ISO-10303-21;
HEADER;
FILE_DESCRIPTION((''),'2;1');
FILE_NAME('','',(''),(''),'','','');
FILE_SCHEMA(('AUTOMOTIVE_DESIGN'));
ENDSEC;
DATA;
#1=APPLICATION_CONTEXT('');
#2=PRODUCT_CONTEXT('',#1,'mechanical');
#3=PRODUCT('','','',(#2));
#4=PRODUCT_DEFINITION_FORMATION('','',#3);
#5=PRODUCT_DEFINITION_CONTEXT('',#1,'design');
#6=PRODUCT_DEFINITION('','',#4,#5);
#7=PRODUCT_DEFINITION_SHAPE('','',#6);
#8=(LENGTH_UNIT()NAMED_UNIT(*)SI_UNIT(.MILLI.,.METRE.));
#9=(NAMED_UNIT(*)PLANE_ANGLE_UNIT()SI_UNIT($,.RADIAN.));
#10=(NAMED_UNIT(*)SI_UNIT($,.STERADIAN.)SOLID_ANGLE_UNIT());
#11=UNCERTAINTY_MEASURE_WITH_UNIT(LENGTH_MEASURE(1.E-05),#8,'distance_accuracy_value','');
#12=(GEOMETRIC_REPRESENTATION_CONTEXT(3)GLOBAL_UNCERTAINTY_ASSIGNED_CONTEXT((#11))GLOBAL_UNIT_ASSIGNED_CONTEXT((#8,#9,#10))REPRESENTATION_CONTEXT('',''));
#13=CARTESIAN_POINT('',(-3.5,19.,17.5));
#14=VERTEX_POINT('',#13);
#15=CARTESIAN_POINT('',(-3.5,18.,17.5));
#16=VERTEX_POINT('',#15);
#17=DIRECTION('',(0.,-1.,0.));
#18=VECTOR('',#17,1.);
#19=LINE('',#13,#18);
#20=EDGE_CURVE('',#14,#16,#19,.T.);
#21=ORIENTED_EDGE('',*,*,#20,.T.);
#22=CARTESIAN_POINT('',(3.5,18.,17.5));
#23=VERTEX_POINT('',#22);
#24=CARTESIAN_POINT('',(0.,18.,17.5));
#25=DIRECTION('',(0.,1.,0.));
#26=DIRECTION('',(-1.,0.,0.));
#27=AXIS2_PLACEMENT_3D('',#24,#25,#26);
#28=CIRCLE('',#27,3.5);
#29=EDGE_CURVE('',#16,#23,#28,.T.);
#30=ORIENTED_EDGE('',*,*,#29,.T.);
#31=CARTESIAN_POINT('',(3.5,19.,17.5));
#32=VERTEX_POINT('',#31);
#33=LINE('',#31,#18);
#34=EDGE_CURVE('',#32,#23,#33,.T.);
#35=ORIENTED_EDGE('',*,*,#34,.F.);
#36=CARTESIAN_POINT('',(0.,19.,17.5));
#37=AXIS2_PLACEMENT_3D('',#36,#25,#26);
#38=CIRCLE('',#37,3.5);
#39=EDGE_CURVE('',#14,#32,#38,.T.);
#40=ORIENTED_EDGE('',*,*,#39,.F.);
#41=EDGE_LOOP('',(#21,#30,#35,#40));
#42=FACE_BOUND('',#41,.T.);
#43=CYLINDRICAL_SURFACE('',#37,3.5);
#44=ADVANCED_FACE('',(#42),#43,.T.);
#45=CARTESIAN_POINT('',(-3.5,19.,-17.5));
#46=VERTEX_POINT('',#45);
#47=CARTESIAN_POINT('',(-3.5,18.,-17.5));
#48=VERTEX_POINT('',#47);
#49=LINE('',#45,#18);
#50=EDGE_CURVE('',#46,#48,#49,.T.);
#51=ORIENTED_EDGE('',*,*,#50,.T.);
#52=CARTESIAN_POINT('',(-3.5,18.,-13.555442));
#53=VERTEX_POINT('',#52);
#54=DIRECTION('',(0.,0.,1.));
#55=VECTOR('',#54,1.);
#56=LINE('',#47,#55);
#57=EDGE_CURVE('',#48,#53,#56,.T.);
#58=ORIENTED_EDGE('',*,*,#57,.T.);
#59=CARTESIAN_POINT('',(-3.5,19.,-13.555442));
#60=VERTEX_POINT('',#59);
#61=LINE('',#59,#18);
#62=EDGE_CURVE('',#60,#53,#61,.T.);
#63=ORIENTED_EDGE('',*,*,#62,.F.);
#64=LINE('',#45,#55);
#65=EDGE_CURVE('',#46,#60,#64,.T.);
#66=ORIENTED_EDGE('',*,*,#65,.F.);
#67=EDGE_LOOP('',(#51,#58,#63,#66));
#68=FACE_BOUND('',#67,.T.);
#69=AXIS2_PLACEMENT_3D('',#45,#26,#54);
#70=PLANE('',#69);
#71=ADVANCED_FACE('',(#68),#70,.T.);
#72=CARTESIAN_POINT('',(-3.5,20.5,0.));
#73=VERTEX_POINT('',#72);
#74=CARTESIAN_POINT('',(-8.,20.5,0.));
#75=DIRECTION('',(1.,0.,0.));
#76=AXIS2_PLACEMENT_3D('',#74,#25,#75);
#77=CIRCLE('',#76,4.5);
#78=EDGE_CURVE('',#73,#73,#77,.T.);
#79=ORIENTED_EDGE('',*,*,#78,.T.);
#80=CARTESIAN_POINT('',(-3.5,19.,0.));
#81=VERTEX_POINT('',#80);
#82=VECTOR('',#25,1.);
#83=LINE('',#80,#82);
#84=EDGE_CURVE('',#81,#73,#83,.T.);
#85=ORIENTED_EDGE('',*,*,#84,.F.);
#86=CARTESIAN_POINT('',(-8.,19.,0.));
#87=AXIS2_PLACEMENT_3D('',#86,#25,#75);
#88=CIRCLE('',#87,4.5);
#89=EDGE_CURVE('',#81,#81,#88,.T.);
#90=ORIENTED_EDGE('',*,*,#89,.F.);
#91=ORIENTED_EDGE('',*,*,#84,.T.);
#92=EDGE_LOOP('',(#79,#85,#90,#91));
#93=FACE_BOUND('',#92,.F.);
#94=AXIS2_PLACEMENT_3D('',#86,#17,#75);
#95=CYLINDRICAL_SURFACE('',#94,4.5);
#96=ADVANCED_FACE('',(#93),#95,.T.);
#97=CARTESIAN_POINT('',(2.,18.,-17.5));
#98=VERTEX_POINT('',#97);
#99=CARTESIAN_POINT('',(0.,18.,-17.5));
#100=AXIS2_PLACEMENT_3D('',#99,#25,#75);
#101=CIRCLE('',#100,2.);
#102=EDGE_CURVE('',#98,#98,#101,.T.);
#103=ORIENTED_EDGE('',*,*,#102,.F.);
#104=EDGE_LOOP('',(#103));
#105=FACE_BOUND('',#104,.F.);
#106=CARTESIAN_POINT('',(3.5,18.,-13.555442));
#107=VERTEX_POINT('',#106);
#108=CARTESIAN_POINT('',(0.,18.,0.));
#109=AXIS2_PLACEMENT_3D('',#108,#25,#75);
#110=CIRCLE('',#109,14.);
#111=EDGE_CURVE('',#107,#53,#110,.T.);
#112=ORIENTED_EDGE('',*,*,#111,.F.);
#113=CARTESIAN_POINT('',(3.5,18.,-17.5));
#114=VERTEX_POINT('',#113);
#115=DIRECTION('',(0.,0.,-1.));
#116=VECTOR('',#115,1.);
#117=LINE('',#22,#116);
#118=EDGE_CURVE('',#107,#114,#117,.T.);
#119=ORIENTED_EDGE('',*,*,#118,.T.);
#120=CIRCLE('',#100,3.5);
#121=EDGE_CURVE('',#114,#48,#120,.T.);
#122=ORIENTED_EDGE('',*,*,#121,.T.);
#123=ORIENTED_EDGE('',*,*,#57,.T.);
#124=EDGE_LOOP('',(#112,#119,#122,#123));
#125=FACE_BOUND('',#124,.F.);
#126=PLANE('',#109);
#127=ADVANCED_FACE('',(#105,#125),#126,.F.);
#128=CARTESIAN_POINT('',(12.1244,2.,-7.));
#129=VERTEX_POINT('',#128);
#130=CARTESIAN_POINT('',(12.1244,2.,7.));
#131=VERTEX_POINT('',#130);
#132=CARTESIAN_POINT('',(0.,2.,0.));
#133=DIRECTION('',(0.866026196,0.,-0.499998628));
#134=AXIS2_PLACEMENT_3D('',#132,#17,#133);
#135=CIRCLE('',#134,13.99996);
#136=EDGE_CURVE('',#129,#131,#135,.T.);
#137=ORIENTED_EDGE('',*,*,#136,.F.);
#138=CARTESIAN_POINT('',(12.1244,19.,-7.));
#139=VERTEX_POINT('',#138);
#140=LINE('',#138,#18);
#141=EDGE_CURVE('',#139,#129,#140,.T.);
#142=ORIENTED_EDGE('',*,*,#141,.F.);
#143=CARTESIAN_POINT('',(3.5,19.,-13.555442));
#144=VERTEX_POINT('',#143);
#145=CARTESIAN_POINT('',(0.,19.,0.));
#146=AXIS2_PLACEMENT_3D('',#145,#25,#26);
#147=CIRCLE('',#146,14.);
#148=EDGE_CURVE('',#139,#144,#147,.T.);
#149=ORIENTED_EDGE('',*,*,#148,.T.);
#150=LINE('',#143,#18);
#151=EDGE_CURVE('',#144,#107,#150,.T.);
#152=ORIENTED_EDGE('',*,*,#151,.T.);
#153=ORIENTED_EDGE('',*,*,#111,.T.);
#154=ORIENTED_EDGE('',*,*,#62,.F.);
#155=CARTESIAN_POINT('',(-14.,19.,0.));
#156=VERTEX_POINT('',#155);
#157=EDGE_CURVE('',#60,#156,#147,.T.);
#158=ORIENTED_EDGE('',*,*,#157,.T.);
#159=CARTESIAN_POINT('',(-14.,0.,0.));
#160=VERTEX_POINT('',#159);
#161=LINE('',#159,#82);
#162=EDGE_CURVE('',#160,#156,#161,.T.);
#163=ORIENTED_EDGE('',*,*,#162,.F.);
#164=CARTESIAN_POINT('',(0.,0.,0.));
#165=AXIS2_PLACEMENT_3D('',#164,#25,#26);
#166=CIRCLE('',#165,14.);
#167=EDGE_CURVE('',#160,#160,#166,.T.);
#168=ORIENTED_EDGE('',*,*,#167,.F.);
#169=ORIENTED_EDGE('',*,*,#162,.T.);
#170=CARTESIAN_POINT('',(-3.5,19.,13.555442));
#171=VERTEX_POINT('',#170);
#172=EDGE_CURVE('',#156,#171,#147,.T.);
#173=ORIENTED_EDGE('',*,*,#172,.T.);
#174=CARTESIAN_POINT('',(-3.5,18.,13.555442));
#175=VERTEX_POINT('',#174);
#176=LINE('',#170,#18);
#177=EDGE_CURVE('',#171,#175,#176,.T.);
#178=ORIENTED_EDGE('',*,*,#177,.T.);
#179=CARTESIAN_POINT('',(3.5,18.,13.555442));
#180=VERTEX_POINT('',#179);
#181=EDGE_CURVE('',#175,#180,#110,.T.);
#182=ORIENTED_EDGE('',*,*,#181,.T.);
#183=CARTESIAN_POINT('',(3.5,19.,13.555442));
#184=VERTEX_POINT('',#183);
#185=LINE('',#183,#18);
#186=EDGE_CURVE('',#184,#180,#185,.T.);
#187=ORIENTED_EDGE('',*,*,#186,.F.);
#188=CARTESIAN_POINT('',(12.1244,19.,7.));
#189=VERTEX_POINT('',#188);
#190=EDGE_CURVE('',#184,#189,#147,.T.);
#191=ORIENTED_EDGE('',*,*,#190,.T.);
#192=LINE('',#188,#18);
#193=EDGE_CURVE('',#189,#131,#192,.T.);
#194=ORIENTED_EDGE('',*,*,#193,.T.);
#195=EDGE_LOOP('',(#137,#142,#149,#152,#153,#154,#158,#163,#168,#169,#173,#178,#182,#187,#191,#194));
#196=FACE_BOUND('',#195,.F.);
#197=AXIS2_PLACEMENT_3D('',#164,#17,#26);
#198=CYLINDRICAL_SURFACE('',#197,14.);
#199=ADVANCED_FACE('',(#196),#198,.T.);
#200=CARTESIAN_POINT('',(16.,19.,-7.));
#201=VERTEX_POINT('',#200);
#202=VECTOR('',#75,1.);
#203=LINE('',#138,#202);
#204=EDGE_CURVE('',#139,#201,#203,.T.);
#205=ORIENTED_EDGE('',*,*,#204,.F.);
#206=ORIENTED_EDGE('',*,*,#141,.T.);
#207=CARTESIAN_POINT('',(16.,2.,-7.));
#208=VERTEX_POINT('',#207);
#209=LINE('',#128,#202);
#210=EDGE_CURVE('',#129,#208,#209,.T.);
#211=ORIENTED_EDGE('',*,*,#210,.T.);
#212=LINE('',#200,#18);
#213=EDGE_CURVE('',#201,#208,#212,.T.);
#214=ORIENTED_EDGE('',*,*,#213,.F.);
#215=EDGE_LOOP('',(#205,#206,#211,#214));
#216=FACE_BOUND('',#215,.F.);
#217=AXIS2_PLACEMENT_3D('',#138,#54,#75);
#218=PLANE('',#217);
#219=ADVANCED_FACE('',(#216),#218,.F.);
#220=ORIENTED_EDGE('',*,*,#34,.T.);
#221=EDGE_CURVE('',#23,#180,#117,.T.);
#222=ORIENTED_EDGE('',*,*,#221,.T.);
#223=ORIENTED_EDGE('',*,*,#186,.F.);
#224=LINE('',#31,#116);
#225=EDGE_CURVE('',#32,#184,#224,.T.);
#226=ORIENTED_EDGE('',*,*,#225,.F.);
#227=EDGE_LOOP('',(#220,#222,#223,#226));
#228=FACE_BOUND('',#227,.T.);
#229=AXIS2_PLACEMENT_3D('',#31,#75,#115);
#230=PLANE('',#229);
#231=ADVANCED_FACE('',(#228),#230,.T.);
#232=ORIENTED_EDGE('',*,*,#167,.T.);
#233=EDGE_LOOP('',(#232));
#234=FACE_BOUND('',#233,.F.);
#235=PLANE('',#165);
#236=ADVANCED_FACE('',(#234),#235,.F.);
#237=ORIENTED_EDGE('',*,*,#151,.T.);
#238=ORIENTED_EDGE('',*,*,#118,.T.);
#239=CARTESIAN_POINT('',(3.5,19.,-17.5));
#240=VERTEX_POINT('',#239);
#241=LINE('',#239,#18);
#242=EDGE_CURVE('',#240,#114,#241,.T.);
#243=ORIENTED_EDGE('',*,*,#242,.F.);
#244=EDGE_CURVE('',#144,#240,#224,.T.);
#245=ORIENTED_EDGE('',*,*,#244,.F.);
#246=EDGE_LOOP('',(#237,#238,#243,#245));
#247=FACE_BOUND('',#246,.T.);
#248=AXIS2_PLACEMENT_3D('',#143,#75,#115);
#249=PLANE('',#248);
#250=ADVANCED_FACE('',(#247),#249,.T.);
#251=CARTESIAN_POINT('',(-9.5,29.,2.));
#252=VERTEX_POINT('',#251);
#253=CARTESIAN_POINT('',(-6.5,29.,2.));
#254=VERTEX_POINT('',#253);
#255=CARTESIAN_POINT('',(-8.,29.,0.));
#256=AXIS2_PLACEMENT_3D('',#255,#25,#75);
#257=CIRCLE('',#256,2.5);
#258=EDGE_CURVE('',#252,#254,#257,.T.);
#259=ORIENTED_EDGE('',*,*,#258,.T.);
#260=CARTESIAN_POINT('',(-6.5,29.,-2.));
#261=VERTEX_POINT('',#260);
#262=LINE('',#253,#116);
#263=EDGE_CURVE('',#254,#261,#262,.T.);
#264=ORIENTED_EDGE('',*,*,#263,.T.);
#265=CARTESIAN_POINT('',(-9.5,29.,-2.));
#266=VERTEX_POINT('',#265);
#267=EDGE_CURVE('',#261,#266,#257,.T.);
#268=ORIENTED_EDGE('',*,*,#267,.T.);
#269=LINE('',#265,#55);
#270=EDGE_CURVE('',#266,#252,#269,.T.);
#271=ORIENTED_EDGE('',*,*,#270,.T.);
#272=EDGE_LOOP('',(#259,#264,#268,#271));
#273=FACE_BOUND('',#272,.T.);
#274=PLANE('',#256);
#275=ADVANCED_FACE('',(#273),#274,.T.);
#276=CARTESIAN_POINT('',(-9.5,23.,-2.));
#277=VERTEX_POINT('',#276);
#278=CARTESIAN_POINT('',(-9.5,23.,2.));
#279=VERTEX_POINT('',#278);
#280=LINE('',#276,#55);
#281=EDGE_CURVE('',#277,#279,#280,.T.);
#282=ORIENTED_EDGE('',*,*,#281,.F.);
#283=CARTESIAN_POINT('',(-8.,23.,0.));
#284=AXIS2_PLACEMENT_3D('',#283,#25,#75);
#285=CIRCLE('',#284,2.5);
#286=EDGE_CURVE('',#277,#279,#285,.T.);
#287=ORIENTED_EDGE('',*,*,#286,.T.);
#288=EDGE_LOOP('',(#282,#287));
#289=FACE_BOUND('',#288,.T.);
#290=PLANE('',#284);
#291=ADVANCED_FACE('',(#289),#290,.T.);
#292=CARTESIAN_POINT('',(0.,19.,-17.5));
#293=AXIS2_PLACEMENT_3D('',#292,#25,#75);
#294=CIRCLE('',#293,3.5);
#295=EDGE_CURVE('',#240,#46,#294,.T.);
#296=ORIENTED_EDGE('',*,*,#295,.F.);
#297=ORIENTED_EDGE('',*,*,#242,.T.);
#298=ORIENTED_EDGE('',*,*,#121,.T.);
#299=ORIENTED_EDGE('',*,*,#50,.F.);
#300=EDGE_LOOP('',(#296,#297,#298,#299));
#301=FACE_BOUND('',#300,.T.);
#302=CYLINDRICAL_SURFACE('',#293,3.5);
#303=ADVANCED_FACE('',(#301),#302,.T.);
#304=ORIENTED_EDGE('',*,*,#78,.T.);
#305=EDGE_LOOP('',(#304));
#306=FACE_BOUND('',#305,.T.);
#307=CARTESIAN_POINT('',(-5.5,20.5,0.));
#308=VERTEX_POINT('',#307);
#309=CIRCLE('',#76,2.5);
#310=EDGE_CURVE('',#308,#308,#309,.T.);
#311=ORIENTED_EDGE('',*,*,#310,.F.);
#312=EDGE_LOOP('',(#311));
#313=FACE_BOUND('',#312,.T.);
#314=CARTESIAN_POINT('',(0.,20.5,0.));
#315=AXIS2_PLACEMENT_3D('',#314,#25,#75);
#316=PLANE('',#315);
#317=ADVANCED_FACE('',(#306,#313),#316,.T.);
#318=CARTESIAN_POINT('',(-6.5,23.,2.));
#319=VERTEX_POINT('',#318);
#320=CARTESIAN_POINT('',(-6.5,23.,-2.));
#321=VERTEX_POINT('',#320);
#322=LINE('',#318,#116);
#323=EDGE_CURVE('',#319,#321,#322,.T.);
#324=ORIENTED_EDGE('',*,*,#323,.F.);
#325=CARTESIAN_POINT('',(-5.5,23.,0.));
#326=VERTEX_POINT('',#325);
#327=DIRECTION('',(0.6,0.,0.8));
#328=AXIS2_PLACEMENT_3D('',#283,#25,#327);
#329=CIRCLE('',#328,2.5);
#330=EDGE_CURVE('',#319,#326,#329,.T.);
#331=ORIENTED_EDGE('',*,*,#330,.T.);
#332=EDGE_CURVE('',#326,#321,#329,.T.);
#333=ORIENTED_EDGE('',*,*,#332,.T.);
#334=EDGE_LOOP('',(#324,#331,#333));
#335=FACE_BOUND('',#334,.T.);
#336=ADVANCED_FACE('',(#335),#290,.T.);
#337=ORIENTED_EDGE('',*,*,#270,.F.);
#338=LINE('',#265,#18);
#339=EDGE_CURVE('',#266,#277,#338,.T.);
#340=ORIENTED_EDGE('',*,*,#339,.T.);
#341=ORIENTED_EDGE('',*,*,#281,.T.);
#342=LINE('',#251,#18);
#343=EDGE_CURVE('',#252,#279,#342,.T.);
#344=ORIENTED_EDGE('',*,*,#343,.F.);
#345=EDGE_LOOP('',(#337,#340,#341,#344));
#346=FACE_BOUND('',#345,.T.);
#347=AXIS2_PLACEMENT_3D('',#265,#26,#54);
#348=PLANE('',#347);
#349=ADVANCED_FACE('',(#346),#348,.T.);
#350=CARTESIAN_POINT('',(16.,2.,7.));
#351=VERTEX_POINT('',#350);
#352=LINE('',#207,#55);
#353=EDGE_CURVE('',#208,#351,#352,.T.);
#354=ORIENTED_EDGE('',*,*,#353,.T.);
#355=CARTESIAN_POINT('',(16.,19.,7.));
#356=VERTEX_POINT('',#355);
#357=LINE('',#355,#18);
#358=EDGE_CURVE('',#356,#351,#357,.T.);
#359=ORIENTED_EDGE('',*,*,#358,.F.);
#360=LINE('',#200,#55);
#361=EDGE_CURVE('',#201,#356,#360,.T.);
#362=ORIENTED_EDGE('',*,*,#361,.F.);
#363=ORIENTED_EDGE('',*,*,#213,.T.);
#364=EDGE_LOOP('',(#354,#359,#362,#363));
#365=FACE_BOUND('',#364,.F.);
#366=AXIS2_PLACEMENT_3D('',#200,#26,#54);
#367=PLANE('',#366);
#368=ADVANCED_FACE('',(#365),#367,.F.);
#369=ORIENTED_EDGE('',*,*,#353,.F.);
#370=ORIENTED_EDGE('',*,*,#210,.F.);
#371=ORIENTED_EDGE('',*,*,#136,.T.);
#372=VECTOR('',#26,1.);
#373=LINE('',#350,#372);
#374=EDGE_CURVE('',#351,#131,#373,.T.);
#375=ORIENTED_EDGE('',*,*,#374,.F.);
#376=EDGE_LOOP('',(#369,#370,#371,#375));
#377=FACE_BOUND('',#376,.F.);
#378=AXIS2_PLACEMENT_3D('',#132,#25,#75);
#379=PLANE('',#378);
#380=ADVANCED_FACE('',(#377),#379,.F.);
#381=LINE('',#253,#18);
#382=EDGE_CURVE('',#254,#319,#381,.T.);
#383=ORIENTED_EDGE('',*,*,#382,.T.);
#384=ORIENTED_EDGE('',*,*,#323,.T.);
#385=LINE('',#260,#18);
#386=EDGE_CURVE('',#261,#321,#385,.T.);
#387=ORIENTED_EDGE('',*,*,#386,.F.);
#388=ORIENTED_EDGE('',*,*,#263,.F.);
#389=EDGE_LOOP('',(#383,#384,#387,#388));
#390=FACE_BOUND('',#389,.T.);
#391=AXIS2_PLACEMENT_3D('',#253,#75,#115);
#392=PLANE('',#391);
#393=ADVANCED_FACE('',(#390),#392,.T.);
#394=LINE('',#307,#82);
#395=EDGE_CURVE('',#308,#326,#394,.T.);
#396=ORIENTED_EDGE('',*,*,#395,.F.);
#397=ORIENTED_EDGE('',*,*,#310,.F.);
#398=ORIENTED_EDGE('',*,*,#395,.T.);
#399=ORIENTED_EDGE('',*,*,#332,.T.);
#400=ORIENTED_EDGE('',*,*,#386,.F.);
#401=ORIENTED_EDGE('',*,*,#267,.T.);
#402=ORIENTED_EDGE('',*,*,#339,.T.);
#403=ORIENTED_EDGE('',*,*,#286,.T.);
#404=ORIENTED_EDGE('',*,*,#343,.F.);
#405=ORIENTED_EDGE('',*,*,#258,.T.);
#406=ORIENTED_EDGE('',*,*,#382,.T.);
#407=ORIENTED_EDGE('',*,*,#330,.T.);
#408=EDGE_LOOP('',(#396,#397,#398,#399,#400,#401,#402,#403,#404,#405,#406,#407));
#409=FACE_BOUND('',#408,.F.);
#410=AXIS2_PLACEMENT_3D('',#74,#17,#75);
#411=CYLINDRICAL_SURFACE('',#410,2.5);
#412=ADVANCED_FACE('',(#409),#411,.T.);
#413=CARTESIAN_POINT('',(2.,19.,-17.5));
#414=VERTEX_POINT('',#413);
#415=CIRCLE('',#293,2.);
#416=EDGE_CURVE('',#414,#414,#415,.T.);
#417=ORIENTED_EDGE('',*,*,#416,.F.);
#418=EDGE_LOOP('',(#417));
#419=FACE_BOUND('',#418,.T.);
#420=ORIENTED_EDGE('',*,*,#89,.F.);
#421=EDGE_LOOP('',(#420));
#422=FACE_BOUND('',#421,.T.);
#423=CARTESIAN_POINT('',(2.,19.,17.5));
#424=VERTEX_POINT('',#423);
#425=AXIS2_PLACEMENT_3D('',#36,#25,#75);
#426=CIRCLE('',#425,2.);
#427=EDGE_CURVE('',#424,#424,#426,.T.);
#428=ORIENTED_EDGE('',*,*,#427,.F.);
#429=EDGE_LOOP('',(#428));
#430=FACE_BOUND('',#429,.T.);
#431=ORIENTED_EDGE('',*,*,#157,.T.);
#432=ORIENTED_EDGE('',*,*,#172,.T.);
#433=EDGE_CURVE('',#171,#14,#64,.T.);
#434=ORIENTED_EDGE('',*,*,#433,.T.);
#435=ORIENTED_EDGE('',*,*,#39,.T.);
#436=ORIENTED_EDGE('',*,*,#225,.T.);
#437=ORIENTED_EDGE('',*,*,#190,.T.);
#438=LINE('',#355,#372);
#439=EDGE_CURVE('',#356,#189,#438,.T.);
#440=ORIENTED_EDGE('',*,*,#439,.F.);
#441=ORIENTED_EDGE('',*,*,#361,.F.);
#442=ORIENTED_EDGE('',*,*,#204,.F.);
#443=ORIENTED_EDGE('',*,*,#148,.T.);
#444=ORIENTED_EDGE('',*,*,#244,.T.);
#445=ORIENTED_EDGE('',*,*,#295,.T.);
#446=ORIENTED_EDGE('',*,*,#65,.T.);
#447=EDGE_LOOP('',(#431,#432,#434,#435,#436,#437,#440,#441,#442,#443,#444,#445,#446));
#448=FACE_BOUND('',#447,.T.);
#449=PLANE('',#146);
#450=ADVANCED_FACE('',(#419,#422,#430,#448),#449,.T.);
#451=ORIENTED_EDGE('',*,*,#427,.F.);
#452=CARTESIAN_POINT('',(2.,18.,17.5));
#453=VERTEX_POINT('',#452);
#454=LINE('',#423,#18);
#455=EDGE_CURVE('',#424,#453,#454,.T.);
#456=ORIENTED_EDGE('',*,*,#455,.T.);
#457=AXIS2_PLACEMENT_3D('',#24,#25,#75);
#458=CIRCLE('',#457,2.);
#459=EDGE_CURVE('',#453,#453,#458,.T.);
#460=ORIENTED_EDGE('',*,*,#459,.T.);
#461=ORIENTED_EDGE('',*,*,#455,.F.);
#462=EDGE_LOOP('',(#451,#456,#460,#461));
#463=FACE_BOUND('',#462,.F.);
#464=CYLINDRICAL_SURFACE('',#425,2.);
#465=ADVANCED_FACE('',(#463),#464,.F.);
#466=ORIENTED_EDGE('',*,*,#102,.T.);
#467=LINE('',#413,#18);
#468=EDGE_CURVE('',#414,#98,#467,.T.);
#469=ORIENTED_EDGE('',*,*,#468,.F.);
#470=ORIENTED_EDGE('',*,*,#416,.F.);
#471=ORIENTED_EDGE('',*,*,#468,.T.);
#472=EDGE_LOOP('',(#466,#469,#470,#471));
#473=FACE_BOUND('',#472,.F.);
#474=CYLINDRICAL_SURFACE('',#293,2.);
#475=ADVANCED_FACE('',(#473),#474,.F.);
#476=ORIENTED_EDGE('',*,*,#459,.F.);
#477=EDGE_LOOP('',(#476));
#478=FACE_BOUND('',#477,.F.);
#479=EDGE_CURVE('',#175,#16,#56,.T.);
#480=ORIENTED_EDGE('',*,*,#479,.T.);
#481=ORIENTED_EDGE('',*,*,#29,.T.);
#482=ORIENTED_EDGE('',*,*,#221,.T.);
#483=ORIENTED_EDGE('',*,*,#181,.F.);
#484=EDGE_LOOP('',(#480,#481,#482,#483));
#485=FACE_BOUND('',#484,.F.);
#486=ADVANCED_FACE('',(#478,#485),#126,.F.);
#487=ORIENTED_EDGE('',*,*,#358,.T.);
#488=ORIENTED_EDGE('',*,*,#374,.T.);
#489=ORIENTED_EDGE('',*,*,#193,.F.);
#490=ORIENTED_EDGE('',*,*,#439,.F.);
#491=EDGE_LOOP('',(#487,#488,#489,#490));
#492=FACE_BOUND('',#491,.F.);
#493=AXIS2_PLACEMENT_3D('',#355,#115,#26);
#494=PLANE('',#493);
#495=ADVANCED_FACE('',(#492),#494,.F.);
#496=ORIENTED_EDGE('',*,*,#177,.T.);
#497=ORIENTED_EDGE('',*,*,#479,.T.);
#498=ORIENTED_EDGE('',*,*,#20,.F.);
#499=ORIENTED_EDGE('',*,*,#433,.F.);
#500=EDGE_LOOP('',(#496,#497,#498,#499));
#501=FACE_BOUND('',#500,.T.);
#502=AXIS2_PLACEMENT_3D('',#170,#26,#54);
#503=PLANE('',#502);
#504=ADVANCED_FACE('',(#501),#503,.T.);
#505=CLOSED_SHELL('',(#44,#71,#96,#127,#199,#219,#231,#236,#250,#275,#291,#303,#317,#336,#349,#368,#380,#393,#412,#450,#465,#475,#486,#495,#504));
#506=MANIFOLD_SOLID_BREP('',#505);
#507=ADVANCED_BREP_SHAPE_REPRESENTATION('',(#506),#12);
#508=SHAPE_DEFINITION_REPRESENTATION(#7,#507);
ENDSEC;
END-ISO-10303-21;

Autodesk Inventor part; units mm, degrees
ref_plane "YZ Plane" through (0, 0, 0) normal (1, 0, 0) x (0, 1, 0)
ref_plane "XZ Plane" through (0, 0, 0) normal (0, 1, 0) x (-1, 0, 0)
ref_plane "XY Plane" through (0, 0, 0) normal (0, 0, 1) x (1, 0, 0)
sketch "Sketch1" plane through (0, 0, 0) normal (0, 1, 0) x (-1, 0, 0)
  circle A0 centre (0, 0) radius 14
  dimension "d0" = 28
extrude "Extrusion1" add sketch "Sketch1" along normal blind 19
sketch "Sketch3" plane through (0, 19, 0) normal (0, 1, 0) x (1, 0, 0)
  circle A0 centre (0, 0) radius 14 projected
  line L0 (3.5, 13.5554) -> (3.5, 17.5) projected
  arc A1 (3.5, 17.5) -> (-3.5, 17.5) centre (0, 17.5) ccw projected
  line L1 (-3.5, 17.5) -> (-3.5, 13.5554) projected
  arc A2 (3.5, 13.5554) -> (-3.5, 13.5554) centre (0, 0) ccw projected
  circle A3 centre (0, 17.5) radius 2 projected
  line L2 (-3.5, -13.5554) -> (-3.5, -17.5) projected
  arc A4 (-3.5, -17.5) -> (3.5, -17.5) centre (0, -17.5) ccw projected
  line L3 (3.5, -17.5) -> (3.5, -13.5554) projected
  arc A5 (-3.5, -13.5554) -> (3.5, -13.5554) centre (0, 0) ccw projected
  circle A6 centre (0, -17.5) radius 2 projected
  circle A7 centre (-8, 0) radius 4.5
  dimension "d8" = 9
  dimension "d9" = 8
extrude "Extrusion3" add sketch "Sketch3" along normal blind 1.5 contours A7
sketch "Sketch4" plane through (-8, 20.5, 0) normal (0, 1, 0) x (1, 0, 0)
  circle A0 centre (0, 0) radius 4.5 projected
  circle A1 centre (0, 0) radius 2.5
  point P0 (8, 0)
  dimension "d12" = 5
extrude "Extrusion4" add sketch "Sketch4" along normal blind 8.5 contours A1
sketch "Sketch5" plane through (-8, 29, 0) normal (0, 1, 0) x (1, 0, 0)
  circle A0 centre (0, 0) radius 2.5 projected
  circle A1 centre (0, 0) radius 2.5 projected
  line L0 (-1.5, 2) -> (-1.5, -2)
  line L1 (1.5, -2) -> (1.5, 2)
  point P0 (8, 0)
  point P1 (1.5, 2)
  point P2 (1.5, -2)
  dimension "d15" = 1.5
  dimension "d16" = 3
extrude "Extrusion5" cut sketch "Sketch5" against normal blind 6 contours A0 L1 | L0 A0
sketch "Sketch7" plane through (0, 19, 0) normal (0, 1, 0) x (1, 0, 0)
  circle A0 centre (-8, 0) radius 4.5 projected
  circle A1 centre (0, 0) radius 14 projected
  line L0 (0, -17.5) -> (0, 17.5) construction
  line L1 (3.5, -17.5) -> (3.5, 17.5)
  line L2 (-3.5, 17.5) -> (-3.5, -17.5)
  arc A2 (-3.5, -17.5) -> (3.5, -17.5) centre (0, -17.5) ccw
  arc A3 (3.5, 17.5) -> (-3.5, 17.5) centre (0, 17.5) ccw
  circle A4 centre (0, 17.5) radius 2
  circle A5 centre (0, -17.5) radius 2
  point P0 (3.5, -13.5554)
  point P1 (-3.5, -13.5554)
  point P2 (-3.5, 13.5554)
  point P3 (3.5, 13.5554)
  dimension "d24" = 35
  dimension "d25" = 3.5
  dimension "d26" = 4
extrude "Extrusion7" add sketch "Sketch7" against normal blind 1 contours L2 A3 L1 A1 | A1 L1 A2 L2
sketch "Sketch8" plane through (0, 19, 0) normal (0, 1, 0) x (1, 0, 0)
  arc A0 (3.5, -13.5554) -> (3.5, 13.5554) centre (0, 0) ccw projected
  line L0 (12.1244, 7) -> (16, 7)
  line L1 (16, 7) -> (16, -7)
  line L2 (16, -7) -> (12.1244, -7)
  circle A1 centre (0, 0) radius 14 projected
  point P0 (14.0622, 7)
  point P1 (16, 0)
  point P2 (14, 0)
  dimension "d29" = 7
  dimension "d30" = 7
  dimension "d31" = 2
extrude "Extrusion8" add sketch "Sketch8" against normal blind 17 contours A0 L0 L1 L2
equation "\"d16\" = 2 * d15"
equation "\"d30\" = d29"
properties part number "28BYJ-48" material "Aluminum 6061"
